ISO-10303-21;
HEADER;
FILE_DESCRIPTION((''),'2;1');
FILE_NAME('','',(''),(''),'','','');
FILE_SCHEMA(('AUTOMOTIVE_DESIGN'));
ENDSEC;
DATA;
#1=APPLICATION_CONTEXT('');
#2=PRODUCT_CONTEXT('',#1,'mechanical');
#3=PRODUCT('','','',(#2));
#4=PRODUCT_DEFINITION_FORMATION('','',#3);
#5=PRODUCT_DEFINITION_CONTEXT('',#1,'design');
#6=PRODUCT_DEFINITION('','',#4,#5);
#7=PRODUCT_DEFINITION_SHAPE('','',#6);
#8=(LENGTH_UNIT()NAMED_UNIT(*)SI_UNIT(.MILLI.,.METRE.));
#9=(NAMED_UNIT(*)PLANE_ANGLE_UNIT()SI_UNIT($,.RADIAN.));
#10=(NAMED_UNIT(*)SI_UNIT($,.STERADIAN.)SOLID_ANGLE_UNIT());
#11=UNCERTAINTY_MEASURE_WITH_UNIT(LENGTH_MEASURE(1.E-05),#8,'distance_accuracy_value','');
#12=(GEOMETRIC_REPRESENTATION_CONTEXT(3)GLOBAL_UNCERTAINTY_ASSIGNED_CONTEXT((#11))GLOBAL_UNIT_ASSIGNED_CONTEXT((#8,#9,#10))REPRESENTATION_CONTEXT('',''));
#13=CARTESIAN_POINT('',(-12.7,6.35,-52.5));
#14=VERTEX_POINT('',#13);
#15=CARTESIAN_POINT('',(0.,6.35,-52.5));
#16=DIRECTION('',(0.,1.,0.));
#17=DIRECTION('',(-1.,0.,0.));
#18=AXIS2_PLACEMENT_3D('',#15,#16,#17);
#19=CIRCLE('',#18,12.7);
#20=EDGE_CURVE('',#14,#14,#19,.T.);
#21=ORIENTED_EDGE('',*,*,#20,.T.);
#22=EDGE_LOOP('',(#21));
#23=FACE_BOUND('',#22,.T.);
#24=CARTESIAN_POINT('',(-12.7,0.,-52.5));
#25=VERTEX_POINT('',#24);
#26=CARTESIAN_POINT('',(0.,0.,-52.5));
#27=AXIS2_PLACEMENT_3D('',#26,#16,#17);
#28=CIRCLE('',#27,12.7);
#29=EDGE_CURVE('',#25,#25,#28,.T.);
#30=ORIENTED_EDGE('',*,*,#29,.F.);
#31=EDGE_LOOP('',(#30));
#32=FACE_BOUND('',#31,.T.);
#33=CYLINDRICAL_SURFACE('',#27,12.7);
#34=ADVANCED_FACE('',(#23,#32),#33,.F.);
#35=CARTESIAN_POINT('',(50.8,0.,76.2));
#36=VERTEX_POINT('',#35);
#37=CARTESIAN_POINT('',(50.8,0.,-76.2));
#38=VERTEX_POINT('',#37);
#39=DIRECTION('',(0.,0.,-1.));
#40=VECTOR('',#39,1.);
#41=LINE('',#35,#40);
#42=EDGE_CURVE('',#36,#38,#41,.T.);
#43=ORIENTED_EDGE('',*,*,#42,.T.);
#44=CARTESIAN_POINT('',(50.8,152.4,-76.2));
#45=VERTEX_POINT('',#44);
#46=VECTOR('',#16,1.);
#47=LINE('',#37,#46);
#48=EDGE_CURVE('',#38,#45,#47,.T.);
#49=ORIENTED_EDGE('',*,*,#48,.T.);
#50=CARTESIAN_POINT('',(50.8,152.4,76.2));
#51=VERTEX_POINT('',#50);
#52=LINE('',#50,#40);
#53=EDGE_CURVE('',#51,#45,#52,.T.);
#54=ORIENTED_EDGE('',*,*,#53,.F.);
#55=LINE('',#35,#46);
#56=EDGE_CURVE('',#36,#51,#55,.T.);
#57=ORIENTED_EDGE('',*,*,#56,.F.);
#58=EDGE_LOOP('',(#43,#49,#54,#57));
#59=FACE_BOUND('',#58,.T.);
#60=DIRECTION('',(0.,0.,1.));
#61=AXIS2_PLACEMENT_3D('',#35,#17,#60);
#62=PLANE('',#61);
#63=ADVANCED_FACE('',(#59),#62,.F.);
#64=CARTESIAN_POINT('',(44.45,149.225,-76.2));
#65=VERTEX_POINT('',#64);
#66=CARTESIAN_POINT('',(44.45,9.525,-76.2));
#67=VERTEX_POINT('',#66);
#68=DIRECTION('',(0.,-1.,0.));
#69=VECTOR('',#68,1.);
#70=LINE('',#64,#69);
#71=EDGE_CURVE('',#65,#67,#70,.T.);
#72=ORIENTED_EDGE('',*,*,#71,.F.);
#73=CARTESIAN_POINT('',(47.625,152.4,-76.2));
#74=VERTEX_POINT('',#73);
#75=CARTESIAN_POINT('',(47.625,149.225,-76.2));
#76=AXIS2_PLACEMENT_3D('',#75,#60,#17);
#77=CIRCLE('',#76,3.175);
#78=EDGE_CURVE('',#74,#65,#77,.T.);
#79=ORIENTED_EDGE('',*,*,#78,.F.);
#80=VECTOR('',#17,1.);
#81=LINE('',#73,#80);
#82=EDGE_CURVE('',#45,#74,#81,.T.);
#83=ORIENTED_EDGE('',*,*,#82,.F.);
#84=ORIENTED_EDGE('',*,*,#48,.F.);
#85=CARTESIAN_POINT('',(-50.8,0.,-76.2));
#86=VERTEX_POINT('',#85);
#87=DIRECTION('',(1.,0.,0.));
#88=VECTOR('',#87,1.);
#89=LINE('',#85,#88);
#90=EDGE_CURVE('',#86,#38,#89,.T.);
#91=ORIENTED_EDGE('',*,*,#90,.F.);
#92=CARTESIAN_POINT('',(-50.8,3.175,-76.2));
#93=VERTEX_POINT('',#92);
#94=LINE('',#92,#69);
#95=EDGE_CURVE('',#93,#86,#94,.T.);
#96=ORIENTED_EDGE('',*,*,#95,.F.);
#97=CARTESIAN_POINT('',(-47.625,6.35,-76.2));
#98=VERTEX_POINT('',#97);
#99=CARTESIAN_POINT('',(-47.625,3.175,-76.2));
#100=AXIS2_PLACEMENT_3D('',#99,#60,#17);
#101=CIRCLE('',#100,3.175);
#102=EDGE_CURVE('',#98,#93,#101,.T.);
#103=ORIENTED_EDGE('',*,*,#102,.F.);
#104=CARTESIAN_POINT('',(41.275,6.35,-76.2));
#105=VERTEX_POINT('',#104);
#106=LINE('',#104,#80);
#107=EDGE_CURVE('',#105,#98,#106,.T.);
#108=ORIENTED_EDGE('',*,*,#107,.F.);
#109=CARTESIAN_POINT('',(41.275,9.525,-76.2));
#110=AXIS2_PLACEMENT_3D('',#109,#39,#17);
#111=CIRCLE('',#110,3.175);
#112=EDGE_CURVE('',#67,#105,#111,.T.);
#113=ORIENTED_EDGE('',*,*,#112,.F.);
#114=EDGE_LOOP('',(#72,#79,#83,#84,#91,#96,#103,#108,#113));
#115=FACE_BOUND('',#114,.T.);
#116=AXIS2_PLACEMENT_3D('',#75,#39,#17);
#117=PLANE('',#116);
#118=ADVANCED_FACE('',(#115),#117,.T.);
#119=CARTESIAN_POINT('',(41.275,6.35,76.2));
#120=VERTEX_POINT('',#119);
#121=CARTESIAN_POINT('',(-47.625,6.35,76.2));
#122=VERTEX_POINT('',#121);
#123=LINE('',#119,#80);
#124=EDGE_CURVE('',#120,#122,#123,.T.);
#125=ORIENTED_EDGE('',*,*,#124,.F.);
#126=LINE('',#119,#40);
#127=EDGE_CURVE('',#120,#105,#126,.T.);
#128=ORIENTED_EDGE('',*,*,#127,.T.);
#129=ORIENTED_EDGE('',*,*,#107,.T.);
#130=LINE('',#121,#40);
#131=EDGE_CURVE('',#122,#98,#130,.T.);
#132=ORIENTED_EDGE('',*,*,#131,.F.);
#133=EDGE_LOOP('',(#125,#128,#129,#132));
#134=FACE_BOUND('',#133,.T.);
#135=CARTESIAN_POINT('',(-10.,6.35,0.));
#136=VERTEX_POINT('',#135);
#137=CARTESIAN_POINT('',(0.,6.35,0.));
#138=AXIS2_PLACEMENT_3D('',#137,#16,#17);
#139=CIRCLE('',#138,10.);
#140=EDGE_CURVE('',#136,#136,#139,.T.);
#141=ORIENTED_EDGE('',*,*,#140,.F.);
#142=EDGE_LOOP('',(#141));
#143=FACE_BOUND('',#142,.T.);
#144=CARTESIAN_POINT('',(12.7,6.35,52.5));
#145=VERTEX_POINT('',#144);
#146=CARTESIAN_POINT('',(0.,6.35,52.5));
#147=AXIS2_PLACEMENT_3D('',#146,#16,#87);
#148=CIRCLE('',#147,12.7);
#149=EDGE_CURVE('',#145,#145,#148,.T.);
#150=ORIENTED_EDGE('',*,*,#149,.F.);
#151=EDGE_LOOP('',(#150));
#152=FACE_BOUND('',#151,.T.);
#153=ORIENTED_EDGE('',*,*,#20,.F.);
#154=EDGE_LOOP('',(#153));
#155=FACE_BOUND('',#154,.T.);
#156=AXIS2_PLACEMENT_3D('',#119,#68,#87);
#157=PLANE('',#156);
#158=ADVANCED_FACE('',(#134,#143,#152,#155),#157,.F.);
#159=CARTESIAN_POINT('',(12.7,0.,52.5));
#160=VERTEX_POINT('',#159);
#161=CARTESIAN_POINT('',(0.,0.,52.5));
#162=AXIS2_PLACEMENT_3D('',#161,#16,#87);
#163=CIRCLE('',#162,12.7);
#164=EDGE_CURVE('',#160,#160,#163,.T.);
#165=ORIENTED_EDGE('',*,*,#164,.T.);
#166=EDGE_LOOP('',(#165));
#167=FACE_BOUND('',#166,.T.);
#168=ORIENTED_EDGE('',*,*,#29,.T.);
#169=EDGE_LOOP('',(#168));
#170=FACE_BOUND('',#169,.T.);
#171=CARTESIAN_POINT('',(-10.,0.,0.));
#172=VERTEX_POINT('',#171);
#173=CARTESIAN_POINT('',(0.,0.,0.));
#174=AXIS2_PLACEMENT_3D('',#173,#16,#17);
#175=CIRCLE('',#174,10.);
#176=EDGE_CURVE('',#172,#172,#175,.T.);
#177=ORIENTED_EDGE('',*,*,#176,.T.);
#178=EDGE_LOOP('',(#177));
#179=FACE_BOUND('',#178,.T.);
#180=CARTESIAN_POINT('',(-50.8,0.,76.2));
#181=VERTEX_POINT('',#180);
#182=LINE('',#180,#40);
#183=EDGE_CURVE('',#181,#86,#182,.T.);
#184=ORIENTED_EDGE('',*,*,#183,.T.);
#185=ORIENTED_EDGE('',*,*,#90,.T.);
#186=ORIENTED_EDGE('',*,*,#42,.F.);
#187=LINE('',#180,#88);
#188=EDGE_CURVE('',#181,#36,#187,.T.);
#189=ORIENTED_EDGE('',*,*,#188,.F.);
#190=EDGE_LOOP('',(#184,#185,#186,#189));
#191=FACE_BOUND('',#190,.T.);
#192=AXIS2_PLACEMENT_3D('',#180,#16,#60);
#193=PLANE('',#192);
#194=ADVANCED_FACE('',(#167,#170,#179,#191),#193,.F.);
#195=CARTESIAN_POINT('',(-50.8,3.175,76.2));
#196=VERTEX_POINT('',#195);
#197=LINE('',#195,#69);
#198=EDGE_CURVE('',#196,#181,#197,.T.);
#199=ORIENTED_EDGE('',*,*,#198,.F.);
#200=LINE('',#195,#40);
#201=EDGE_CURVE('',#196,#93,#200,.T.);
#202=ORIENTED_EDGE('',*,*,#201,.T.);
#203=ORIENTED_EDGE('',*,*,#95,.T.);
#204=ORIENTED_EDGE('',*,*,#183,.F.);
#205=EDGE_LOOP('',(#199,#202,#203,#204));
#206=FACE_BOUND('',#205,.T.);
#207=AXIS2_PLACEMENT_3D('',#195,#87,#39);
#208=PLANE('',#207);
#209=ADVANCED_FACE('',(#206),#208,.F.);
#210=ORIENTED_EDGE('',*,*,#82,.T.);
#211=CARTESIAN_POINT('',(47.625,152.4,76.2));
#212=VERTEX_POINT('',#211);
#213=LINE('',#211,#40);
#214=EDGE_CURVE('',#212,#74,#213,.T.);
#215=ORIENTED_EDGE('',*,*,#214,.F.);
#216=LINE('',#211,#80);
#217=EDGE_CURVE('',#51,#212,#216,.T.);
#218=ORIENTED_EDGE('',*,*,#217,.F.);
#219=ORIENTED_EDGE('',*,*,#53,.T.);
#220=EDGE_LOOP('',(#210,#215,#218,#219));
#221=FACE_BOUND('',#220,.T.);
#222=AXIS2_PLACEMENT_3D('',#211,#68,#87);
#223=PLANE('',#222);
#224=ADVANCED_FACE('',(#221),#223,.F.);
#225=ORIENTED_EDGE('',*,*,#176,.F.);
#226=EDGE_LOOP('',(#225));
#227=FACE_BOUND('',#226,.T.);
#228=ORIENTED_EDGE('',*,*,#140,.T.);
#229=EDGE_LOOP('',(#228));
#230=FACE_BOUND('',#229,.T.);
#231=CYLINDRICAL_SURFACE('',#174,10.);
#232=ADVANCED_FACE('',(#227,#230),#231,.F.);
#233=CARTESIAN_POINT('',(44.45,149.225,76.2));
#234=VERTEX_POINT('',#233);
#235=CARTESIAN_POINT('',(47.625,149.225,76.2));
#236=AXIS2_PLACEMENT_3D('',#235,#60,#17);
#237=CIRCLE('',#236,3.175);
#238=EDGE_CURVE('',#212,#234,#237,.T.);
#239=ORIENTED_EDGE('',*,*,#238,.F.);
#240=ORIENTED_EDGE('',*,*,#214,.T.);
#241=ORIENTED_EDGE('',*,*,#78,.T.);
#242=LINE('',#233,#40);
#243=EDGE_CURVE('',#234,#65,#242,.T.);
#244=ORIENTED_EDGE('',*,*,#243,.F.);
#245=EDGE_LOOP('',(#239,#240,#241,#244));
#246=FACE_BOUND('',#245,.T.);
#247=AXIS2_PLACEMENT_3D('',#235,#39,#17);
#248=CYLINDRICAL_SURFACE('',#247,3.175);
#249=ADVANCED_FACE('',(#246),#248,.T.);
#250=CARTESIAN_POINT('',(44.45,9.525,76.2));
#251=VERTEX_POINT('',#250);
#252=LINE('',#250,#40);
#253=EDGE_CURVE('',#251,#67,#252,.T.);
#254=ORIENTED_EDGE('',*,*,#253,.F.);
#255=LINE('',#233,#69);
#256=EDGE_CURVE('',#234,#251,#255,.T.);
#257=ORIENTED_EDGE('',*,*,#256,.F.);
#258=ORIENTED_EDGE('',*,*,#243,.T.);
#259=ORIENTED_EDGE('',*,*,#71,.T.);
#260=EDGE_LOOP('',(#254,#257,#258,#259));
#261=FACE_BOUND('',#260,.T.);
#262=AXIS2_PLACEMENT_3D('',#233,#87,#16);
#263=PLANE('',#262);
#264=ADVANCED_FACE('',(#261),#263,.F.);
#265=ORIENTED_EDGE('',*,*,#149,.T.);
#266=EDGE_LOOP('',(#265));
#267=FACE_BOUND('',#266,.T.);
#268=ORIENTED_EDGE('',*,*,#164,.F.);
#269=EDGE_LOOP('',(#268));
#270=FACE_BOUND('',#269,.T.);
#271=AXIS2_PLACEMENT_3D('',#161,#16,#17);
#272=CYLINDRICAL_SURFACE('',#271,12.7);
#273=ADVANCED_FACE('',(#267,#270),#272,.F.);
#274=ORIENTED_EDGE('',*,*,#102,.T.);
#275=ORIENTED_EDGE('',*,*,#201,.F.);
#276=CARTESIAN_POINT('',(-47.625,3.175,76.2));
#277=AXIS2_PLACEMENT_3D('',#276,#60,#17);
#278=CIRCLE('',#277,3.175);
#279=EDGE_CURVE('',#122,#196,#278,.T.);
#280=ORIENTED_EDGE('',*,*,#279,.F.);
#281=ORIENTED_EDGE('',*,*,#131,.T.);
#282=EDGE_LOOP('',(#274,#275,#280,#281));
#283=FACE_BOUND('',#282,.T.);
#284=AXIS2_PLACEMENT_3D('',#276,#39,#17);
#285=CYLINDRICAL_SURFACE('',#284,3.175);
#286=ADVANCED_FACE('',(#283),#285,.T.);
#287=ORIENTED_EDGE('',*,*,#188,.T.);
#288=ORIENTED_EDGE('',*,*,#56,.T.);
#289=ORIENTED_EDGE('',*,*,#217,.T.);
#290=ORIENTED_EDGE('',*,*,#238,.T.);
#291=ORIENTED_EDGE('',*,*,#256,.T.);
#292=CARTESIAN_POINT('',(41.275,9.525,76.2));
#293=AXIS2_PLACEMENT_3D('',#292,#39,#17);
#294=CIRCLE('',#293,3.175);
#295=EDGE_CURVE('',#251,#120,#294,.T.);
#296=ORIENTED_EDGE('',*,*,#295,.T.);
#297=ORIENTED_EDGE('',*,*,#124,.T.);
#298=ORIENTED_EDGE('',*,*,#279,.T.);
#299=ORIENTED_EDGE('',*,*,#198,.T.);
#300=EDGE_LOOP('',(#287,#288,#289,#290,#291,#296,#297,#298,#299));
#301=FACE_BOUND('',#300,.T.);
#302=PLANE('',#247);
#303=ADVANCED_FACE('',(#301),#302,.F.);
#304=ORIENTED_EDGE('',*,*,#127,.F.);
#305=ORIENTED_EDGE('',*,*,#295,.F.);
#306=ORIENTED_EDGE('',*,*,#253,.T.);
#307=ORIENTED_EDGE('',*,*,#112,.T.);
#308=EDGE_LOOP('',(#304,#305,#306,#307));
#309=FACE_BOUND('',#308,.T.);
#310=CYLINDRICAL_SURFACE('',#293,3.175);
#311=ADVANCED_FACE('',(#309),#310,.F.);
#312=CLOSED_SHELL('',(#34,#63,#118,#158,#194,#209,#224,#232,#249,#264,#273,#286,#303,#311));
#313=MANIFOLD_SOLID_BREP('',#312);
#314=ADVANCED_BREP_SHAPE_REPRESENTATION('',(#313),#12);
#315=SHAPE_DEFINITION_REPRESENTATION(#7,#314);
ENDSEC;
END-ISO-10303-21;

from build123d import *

# Parameters (mm, degrees)
BOSS_EXTRUDE1_DEPTH = 76.2
SKETCH3_R           = 12.7
SKETCH3_R_2         = 10
CUT_EXTRUDE1_DEPTH  = 7.35


with BuildPart() as part:
    # Sketch2 → Boss-Extrude1 (new body, symmetric)
    with BuildSketch(Plane.XY):
        with BuildLine():
            Line((-50.8, 0), (50.8, 0))
            Line((50.8, 0), (50.8, 152.4))
            Line((50.8, 152.4), (47.625, 152.4))
            ThreePointArc((47.625, 152.4), (45.37993597, 151.47006403), (44.45, 149.225))
            Line((44.45, 149.225), (44.45, 9.525))
            ThreePointArc((44.45, 9.525), (43.52006403, 7.27993597), (41.275, 6.35))
            Line((41.275, 6.35), (-47.625, 6.35))
            ThreePointArc((-47.625, 6.35), (-49.87006403, 5.42006403), (-50.8, 3.175))
            Line((-50.8, 3.175), (-50.8, 0))
        make_face()
    extrude(amount=BOSS_EXTRUDE1_DEPTH, both=True)

    # Sketch3 → Cut-Extrude1 (cut, through all)
    with BuildSketch(Plane(origin=(0, 6.35, 0), x_dir=(1, 0, 0), z_dir=(0, 1, 0))):
        with Locations((0, 52.5)):
            Circle(SKETCH3_R)
        with Locations((0, -52.5)):
            Circle(SKETCH3_R)
        Circle(SKETCH3_R_2)
    extrude(amount=-CUT_EXTRUDE1_DEPTH, mode=Mode.SUBTRACT)


solid = part.part
